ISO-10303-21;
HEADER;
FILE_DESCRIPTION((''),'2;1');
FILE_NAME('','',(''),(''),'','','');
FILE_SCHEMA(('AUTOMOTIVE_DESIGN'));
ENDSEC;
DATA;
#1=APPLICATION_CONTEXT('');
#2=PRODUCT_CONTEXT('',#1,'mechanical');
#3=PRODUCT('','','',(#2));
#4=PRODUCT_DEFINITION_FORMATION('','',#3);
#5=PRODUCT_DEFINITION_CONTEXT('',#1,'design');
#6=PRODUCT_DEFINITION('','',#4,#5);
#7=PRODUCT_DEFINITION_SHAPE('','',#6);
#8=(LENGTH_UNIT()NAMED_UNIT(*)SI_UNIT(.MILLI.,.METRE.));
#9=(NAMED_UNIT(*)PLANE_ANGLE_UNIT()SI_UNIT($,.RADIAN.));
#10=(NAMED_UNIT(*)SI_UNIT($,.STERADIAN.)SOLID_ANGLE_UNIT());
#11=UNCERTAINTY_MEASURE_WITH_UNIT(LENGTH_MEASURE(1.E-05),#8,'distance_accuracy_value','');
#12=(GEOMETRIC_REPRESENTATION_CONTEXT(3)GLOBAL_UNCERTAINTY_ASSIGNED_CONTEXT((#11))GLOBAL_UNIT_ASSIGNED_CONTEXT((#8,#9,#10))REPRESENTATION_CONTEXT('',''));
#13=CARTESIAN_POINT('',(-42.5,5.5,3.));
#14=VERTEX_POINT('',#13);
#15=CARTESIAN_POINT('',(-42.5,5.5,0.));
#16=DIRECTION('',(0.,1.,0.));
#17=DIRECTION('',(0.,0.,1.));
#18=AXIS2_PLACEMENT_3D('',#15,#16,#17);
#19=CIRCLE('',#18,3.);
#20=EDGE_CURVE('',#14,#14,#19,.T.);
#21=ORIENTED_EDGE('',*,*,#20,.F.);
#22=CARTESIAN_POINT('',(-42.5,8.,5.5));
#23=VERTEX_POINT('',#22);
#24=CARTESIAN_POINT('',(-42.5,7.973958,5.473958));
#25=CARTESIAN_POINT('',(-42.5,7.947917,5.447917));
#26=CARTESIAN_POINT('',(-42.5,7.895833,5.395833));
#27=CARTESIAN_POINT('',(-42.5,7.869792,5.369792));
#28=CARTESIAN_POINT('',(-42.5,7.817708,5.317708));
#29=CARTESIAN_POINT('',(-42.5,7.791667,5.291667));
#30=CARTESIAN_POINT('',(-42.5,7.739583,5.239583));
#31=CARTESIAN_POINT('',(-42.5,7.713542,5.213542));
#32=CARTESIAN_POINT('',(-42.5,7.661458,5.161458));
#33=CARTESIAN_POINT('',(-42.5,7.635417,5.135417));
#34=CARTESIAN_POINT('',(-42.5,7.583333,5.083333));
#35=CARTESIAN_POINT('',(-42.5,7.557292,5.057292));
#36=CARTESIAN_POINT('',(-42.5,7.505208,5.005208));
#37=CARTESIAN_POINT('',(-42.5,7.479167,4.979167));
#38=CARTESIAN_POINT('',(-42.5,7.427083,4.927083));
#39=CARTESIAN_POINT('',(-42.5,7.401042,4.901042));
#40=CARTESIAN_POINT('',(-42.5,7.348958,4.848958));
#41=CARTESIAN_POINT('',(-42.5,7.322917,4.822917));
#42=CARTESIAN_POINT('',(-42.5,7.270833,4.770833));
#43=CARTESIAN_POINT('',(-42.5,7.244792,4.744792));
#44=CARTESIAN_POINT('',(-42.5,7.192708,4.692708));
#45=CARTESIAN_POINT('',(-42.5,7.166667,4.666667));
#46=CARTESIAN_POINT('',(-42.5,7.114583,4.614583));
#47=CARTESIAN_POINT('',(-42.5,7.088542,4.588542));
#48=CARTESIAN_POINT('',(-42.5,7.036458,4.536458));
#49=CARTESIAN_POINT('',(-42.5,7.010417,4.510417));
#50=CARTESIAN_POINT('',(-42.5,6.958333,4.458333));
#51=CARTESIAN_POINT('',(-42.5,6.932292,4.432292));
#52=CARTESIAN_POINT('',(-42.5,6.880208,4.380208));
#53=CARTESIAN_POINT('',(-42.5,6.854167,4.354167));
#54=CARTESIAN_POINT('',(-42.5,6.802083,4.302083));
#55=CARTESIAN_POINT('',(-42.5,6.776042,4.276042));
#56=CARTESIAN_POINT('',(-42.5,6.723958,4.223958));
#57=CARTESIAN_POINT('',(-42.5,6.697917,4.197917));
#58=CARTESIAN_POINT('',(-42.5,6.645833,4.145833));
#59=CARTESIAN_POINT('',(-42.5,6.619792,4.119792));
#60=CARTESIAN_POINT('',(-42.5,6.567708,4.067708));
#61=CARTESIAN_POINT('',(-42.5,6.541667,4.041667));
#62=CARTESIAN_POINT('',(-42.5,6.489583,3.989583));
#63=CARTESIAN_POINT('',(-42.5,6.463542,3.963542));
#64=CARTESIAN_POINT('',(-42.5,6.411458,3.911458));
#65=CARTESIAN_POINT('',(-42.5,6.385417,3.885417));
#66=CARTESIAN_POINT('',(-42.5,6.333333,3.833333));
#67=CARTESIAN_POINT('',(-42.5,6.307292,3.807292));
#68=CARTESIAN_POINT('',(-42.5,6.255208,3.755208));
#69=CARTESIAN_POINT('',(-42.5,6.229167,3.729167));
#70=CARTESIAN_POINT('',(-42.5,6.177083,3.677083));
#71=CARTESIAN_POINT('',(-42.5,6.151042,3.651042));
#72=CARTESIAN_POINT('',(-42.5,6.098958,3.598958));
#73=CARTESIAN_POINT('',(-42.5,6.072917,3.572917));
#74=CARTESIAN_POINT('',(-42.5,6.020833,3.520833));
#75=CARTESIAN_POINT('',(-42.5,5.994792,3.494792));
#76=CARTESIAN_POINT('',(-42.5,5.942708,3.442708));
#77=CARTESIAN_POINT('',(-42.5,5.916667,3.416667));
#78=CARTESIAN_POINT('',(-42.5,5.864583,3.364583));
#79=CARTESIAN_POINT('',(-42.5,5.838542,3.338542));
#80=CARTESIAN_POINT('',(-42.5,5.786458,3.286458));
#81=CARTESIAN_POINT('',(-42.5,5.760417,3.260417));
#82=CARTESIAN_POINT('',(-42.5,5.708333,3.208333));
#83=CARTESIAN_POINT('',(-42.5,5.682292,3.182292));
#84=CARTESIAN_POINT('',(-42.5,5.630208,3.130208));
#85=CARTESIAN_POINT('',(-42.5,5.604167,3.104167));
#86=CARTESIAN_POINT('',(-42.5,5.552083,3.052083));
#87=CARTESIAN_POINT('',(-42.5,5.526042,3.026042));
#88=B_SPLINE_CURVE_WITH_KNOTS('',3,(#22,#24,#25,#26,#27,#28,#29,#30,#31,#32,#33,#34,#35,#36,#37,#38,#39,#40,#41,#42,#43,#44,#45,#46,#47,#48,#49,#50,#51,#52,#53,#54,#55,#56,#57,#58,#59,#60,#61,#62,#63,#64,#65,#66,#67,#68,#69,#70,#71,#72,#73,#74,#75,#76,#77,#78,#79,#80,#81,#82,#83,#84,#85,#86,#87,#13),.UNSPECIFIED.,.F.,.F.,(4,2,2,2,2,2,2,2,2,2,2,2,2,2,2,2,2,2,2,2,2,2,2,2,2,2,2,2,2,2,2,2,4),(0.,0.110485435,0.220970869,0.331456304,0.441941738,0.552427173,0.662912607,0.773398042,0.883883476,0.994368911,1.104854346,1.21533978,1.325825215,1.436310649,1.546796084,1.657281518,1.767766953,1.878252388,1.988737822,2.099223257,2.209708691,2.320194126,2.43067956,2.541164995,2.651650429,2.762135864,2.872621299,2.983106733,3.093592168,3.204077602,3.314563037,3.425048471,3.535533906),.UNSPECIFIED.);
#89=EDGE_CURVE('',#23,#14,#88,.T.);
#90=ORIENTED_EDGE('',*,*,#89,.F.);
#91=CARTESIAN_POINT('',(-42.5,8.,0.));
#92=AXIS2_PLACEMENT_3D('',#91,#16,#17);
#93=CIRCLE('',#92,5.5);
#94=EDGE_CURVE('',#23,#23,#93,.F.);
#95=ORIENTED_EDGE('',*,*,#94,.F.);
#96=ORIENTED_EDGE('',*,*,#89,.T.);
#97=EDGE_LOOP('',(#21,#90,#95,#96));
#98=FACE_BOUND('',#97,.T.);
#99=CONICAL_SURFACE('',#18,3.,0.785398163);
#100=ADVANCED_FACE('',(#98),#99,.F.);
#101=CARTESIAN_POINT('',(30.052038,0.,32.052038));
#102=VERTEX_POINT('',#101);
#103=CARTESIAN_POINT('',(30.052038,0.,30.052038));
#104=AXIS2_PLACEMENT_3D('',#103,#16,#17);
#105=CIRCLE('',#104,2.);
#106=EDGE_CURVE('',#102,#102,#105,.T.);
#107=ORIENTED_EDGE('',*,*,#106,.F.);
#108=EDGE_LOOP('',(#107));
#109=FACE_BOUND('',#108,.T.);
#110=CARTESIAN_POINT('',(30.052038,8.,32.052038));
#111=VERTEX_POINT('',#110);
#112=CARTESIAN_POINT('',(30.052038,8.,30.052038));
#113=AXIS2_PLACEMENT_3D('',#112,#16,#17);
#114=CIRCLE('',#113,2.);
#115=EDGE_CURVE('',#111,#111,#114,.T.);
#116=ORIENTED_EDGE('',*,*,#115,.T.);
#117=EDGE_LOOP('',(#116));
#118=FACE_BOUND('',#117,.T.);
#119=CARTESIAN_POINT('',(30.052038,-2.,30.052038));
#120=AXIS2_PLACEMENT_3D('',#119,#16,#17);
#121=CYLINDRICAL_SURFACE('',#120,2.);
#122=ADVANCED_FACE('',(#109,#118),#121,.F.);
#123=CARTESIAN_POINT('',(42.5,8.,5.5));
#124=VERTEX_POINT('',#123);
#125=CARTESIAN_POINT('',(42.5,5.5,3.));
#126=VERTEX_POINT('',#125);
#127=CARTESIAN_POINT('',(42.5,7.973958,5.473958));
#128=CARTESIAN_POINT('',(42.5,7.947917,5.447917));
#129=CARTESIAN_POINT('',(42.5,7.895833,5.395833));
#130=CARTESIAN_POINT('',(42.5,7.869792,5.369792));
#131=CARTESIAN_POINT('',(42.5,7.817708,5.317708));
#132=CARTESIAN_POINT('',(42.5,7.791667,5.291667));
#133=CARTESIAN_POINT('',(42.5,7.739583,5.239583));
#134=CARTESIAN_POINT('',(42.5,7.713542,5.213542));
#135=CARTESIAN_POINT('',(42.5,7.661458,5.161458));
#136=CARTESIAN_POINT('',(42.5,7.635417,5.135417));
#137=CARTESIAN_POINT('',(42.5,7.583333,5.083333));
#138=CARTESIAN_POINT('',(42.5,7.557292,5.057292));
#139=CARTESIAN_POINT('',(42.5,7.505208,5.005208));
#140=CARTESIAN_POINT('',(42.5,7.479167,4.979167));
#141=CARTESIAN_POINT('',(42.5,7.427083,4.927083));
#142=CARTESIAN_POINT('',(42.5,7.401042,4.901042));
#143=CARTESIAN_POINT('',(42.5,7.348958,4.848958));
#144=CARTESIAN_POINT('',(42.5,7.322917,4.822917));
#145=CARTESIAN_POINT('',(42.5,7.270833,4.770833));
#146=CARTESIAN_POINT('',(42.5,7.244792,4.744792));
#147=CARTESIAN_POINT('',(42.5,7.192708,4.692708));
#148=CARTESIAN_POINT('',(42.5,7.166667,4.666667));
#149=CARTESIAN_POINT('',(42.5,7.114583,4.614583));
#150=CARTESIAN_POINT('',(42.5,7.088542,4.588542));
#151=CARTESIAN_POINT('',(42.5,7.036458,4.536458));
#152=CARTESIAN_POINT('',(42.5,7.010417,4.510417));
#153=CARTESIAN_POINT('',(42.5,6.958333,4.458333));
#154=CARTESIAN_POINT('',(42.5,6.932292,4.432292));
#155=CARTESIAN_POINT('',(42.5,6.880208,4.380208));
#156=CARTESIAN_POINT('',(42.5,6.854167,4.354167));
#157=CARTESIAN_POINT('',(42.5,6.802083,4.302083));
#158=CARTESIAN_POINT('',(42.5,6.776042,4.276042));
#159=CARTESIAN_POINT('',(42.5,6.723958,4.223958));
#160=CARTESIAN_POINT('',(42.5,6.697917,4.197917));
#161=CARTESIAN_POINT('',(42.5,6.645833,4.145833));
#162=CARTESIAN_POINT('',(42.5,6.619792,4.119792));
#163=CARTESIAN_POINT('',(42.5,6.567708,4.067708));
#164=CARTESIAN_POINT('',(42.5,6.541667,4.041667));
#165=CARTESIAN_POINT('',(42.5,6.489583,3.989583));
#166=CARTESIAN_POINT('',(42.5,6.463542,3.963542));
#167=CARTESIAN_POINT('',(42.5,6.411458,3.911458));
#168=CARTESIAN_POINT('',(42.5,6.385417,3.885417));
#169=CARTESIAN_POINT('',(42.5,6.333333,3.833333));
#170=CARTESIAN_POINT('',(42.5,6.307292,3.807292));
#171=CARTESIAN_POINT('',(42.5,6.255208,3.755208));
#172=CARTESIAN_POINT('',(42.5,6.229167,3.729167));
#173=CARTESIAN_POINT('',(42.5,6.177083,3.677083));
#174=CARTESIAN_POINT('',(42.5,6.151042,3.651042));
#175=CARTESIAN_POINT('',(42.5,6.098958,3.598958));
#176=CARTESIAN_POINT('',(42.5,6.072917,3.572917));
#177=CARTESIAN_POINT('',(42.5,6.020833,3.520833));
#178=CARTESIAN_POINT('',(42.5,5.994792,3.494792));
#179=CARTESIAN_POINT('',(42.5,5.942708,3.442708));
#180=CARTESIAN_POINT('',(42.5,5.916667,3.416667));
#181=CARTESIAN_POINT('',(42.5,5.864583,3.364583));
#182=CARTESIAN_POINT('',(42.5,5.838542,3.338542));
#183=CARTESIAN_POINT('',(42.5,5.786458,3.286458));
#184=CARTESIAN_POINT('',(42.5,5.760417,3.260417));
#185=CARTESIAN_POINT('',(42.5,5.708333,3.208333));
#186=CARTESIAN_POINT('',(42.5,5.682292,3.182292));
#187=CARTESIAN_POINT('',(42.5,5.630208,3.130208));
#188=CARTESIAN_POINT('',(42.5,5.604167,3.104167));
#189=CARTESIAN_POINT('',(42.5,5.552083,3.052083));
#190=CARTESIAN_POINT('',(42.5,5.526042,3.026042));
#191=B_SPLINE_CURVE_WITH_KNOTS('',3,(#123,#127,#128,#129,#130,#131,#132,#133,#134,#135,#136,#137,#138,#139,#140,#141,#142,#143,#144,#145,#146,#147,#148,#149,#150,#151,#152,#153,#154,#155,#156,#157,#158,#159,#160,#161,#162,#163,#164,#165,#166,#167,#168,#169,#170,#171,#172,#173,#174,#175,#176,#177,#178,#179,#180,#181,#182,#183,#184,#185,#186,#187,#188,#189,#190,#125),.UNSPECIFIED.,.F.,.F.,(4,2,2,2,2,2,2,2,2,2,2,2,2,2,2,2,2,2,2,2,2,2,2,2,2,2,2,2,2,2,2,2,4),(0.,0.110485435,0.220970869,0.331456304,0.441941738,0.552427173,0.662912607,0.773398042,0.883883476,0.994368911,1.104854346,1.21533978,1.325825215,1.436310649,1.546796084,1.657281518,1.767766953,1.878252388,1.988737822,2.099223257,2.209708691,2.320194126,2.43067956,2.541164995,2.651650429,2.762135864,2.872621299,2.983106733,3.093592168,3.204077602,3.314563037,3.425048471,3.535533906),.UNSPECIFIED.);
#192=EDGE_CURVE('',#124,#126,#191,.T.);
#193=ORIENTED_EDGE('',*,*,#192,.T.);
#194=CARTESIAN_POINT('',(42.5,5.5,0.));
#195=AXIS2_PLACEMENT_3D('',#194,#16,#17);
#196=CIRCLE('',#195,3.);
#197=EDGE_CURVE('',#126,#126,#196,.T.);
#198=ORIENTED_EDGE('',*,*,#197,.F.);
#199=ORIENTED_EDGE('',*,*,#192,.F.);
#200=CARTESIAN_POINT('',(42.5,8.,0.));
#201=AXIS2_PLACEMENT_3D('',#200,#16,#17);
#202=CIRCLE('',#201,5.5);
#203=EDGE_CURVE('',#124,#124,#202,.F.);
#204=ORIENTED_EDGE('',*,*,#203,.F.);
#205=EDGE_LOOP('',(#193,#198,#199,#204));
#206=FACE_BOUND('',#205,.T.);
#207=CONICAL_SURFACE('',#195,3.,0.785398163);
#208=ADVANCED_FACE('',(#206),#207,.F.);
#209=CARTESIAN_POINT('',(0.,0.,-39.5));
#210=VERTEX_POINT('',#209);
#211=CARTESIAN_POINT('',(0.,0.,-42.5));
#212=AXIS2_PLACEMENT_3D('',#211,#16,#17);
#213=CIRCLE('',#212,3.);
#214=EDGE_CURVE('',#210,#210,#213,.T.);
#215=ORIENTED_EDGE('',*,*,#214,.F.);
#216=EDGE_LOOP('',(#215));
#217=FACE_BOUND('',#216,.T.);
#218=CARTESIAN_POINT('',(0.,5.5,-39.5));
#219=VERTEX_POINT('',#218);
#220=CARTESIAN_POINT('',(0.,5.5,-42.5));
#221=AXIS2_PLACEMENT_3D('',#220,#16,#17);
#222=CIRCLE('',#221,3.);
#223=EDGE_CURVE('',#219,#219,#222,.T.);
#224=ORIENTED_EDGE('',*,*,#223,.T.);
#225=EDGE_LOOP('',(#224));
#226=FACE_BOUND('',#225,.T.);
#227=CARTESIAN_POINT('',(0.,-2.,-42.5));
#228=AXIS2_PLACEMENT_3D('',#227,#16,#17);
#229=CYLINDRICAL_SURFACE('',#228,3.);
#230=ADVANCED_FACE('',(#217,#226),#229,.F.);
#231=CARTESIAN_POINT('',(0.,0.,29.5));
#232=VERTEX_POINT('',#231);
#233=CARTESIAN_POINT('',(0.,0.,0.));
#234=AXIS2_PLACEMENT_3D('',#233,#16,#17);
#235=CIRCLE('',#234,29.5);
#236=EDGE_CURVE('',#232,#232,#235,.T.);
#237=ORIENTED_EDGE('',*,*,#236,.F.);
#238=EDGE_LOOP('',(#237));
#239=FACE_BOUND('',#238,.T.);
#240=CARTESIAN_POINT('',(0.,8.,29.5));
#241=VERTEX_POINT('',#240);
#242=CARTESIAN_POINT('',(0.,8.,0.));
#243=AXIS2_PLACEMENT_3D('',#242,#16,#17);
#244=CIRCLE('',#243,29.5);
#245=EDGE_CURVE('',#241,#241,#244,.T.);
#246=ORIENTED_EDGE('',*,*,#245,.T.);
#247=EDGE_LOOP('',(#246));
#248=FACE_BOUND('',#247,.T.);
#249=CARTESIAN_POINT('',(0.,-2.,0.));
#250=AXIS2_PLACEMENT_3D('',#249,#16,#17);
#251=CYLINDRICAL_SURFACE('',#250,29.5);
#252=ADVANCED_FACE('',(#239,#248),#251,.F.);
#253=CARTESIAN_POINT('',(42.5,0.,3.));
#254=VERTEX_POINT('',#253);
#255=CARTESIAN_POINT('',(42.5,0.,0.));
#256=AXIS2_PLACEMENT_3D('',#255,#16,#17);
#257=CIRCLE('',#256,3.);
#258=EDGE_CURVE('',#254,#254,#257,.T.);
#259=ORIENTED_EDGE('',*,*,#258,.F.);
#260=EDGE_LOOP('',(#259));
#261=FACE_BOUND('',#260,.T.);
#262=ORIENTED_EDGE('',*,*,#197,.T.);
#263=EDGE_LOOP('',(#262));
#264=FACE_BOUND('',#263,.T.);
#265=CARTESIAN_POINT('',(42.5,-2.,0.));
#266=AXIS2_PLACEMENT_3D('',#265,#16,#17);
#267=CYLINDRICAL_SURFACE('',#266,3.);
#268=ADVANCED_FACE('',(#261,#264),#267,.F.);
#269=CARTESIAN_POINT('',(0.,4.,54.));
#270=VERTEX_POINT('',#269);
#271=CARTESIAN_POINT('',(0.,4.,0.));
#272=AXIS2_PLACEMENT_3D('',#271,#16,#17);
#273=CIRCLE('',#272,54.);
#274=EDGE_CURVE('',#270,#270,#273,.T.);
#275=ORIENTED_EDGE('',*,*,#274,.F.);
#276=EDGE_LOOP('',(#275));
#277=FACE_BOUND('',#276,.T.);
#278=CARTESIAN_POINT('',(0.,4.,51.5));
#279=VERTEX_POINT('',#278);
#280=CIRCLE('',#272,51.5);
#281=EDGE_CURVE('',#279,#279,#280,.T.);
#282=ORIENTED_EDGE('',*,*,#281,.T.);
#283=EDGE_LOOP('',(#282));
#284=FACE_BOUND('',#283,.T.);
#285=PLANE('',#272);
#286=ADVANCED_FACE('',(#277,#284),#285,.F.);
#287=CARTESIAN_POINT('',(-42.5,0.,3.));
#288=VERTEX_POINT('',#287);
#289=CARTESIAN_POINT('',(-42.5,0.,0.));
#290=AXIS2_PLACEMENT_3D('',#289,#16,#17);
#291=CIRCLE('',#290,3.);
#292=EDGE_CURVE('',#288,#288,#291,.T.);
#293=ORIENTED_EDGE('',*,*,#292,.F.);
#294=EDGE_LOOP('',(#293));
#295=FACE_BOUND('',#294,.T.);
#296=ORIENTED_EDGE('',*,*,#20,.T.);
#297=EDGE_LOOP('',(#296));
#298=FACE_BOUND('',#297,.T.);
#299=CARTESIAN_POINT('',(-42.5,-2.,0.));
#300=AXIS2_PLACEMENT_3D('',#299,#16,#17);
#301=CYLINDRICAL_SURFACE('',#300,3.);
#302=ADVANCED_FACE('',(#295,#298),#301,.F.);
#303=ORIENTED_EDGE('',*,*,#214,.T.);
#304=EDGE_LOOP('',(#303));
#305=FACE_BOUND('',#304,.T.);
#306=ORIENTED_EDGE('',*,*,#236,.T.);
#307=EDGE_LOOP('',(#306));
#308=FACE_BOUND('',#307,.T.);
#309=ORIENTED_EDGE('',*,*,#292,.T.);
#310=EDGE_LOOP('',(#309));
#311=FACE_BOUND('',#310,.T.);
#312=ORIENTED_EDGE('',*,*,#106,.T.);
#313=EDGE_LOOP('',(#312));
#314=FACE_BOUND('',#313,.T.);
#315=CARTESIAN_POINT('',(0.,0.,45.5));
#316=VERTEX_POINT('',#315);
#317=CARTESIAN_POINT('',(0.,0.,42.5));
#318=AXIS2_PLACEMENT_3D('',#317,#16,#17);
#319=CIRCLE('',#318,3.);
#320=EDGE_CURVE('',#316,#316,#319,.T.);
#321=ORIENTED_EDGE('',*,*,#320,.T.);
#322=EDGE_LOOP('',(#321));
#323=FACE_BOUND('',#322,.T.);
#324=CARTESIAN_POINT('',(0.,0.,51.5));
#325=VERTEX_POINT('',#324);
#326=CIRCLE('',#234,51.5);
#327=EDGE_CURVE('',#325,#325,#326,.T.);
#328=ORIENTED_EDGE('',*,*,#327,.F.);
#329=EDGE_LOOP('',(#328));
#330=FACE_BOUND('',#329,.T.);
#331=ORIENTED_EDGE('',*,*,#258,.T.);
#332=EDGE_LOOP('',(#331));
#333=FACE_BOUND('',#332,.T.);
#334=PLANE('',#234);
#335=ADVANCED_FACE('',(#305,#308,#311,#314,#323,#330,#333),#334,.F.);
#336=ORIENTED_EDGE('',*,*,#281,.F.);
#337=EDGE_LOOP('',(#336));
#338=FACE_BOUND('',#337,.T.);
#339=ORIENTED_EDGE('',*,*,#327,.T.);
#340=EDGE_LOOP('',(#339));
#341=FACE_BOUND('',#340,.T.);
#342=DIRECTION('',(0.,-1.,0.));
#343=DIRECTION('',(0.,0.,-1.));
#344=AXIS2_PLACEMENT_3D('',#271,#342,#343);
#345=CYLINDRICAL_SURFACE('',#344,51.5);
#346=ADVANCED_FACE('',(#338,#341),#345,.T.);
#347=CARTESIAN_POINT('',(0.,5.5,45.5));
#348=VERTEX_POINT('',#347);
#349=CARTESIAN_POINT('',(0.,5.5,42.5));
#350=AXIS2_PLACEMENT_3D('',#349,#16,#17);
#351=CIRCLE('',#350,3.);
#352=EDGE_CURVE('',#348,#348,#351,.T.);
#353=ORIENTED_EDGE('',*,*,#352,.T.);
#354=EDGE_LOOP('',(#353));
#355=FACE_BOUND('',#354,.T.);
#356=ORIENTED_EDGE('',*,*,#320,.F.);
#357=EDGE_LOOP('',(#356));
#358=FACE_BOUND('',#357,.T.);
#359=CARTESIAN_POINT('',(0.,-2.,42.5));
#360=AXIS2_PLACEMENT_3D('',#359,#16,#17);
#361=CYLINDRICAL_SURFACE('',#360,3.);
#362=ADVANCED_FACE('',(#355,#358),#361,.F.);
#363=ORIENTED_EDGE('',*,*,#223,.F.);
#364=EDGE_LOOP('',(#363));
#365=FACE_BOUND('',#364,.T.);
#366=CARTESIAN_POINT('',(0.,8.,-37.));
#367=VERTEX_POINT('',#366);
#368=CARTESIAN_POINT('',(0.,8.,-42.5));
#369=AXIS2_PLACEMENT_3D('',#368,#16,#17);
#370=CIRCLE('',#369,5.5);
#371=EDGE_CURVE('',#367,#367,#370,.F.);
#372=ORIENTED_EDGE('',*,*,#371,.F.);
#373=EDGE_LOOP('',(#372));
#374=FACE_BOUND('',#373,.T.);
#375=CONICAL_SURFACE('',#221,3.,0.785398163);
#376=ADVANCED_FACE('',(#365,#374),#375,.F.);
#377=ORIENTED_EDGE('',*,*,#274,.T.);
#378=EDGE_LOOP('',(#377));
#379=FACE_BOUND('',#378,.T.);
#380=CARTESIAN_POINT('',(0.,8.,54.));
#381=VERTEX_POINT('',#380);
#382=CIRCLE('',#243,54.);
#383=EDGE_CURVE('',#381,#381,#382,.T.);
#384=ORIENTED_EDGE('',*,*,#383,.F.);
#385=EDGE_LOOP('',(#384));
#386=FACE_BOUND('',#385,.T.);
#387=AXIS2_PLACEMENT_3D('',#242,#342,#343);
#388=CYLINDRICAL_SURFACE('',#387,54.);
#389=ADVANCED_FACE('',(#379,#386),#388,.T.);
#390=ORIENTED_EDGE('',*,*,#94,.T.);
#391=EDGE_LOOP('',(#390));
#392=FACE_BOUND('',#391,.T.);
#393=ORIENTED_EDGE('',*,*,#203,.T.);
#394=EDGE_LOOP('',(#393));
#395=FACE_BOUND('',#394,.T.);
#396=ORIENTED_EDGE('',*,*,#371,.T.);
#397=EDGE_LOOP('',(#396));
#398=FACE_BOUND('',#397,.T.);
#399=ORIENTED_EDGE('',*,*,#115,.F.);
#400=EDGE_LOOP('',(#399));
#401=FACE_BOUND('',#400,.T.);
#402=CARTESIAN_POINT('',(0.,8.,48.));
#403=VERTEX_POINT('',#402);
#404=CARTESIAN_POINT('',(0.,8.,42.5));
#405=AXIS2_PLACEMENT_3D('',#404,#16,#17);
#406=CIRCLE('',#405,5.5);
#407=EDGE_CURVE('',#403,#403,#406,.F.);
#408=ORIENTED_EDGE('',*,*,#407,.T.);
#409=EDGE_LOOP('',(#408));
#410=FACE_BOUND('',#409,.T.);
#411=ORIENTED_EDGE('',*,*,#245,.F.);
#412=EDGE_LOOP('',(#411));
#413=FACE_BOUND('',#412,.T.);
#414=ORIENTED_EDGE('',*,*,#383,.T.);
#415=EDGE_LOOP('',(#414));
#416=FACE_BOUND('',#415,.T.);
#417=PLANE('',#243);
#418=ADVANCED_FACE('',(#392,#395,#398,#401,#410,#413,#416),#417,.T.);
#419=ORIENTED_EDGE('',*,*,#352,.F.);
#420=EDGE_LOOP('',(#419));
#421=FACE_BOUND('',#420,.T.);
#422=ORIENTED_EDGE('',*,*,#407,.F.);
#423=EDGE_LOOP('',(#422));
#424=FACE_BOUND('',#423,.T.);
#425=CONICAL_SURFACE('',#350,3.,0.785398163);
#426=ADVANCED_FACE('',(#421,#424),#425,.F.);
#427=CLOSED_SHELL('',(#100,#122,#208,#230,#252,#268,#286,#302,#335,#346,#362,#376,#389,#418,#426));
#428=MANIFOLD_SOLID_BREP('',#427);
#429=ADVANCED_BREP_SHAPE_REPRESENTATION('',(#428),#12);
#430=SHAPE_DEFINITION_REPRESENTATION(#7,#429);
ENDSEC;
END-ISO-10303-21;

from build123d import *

# Parameters (mm, degrees)
SKETCH_1_R          = 51.5
EXTRUDE_1_DEPTH     = 4
SKETCH_2_R          = 54
EXTRUDE_2_DEPTH     = 4
SKETCH_3_R          = 29.5
CUT_EXTRUDE_1_DEPTH = 10
SKETCH_4_R          = 3
CUT_EXTRUDE_2_DEPTH = 10
CHAMFER_2_SIZE      = 2.5
SKETCH_5_R          = 2
CUT_EXTRUDE_3_DEPTH = 10


with BuildPart() as part:
    # Эскиз1 → Бобышка-Вытянуть1 (new body)
    with BuildSketch(Plane(origin=(0, 0, 0), x_dir=(1, 0, 0), z_dir=(0, 1, 0))):
        with Locations(Location((0, 0, 0), (0, 0, 270))):
            Circle(SKETCH_1_R)
    extrude(amount=EXTRUDE_1_DEPTH)

    # Эскиз2 → Бобышка-Вытянуть2 (add)
    with BuildSketch(Plane(origin=(0, 4, 0), x_dir=(1, 0, 0), z_dir=(0, 1, 0))):
        with Locations(Location((0, 0, 0), (0, 0, 270))):
            Circle(SKETCH_2_R)
    extrude(amount=EXTRUDE_2_DEPTH)

    # Эскиз3 → Вырез-Вытянуть1 (cut)
    with BuildSketch(Plane(origin=(0, 8, 0), x_dir=(1, 0, 0), z_dir=(0, 1, 0))):
        with Locations(Location((0, 0, 0), (0, 0, 270))):
            Circle(SKETCH_3_R)
    extrude(amount=-CUT_EXTRUDE_1_DEPTH, mode=Mode.SUBTRACT)

    # Эскиз4 → Вырез-Вытянуть2 (cut)
    with BuildSketch(Plane(origin=(0, 8, 0), x_dir=(1, 0, 0), z_dir=(0, 1, 0))):
        with Locations(Location((0, 42.5, 0), (0, 0, 270))):
            Circle(SKETCH_4_R)
        with Locations(Location((-42.5, 0, 0), (0, 0, 270))):
            Circle(SKETCH_4_R)
        with Locations(Location((0, -42.5, 0), (0, 0, 270))):
            Circle(SKETCH_4_R)
        with Locations(Location((42.5, 0, 0), (0, 0, 270))):
            Circle(SKETCH_4_R)
    extrude(amount=-CUT_EXTRUDE_2_DEPTH, mode=Mode.SUBTRACT)

    # Фаска2
    chamfer_2_edges = [part.edges().sort_by_distance(p)[0] for p in [
        (0, 8, -45.5),
        (-42.5, 8, -3),
        (0, 8, 39.5),
        (42.5, 8, -3),
    ]]
    chamfer(chamfer_2_edges, length=CHAMFER_2_SIZE)

    # Эскиз5 → Вырез-Вытянуть3 (cut)
    with BuildSketch(Plane(origin=(0, 8, 0), x_dir=(1, 0, 0), z_dir=(0, 1, 0))):
        with Locations(Location((30.0520382, -30.0520382, 0), (0, 0, 270))):
            Circle(SKETCH_5_R)
    extrude(amount=-CUT_EXTRUDE_3_DEPTH, mode=Mode.SUBTRACT)


solid = part.part
